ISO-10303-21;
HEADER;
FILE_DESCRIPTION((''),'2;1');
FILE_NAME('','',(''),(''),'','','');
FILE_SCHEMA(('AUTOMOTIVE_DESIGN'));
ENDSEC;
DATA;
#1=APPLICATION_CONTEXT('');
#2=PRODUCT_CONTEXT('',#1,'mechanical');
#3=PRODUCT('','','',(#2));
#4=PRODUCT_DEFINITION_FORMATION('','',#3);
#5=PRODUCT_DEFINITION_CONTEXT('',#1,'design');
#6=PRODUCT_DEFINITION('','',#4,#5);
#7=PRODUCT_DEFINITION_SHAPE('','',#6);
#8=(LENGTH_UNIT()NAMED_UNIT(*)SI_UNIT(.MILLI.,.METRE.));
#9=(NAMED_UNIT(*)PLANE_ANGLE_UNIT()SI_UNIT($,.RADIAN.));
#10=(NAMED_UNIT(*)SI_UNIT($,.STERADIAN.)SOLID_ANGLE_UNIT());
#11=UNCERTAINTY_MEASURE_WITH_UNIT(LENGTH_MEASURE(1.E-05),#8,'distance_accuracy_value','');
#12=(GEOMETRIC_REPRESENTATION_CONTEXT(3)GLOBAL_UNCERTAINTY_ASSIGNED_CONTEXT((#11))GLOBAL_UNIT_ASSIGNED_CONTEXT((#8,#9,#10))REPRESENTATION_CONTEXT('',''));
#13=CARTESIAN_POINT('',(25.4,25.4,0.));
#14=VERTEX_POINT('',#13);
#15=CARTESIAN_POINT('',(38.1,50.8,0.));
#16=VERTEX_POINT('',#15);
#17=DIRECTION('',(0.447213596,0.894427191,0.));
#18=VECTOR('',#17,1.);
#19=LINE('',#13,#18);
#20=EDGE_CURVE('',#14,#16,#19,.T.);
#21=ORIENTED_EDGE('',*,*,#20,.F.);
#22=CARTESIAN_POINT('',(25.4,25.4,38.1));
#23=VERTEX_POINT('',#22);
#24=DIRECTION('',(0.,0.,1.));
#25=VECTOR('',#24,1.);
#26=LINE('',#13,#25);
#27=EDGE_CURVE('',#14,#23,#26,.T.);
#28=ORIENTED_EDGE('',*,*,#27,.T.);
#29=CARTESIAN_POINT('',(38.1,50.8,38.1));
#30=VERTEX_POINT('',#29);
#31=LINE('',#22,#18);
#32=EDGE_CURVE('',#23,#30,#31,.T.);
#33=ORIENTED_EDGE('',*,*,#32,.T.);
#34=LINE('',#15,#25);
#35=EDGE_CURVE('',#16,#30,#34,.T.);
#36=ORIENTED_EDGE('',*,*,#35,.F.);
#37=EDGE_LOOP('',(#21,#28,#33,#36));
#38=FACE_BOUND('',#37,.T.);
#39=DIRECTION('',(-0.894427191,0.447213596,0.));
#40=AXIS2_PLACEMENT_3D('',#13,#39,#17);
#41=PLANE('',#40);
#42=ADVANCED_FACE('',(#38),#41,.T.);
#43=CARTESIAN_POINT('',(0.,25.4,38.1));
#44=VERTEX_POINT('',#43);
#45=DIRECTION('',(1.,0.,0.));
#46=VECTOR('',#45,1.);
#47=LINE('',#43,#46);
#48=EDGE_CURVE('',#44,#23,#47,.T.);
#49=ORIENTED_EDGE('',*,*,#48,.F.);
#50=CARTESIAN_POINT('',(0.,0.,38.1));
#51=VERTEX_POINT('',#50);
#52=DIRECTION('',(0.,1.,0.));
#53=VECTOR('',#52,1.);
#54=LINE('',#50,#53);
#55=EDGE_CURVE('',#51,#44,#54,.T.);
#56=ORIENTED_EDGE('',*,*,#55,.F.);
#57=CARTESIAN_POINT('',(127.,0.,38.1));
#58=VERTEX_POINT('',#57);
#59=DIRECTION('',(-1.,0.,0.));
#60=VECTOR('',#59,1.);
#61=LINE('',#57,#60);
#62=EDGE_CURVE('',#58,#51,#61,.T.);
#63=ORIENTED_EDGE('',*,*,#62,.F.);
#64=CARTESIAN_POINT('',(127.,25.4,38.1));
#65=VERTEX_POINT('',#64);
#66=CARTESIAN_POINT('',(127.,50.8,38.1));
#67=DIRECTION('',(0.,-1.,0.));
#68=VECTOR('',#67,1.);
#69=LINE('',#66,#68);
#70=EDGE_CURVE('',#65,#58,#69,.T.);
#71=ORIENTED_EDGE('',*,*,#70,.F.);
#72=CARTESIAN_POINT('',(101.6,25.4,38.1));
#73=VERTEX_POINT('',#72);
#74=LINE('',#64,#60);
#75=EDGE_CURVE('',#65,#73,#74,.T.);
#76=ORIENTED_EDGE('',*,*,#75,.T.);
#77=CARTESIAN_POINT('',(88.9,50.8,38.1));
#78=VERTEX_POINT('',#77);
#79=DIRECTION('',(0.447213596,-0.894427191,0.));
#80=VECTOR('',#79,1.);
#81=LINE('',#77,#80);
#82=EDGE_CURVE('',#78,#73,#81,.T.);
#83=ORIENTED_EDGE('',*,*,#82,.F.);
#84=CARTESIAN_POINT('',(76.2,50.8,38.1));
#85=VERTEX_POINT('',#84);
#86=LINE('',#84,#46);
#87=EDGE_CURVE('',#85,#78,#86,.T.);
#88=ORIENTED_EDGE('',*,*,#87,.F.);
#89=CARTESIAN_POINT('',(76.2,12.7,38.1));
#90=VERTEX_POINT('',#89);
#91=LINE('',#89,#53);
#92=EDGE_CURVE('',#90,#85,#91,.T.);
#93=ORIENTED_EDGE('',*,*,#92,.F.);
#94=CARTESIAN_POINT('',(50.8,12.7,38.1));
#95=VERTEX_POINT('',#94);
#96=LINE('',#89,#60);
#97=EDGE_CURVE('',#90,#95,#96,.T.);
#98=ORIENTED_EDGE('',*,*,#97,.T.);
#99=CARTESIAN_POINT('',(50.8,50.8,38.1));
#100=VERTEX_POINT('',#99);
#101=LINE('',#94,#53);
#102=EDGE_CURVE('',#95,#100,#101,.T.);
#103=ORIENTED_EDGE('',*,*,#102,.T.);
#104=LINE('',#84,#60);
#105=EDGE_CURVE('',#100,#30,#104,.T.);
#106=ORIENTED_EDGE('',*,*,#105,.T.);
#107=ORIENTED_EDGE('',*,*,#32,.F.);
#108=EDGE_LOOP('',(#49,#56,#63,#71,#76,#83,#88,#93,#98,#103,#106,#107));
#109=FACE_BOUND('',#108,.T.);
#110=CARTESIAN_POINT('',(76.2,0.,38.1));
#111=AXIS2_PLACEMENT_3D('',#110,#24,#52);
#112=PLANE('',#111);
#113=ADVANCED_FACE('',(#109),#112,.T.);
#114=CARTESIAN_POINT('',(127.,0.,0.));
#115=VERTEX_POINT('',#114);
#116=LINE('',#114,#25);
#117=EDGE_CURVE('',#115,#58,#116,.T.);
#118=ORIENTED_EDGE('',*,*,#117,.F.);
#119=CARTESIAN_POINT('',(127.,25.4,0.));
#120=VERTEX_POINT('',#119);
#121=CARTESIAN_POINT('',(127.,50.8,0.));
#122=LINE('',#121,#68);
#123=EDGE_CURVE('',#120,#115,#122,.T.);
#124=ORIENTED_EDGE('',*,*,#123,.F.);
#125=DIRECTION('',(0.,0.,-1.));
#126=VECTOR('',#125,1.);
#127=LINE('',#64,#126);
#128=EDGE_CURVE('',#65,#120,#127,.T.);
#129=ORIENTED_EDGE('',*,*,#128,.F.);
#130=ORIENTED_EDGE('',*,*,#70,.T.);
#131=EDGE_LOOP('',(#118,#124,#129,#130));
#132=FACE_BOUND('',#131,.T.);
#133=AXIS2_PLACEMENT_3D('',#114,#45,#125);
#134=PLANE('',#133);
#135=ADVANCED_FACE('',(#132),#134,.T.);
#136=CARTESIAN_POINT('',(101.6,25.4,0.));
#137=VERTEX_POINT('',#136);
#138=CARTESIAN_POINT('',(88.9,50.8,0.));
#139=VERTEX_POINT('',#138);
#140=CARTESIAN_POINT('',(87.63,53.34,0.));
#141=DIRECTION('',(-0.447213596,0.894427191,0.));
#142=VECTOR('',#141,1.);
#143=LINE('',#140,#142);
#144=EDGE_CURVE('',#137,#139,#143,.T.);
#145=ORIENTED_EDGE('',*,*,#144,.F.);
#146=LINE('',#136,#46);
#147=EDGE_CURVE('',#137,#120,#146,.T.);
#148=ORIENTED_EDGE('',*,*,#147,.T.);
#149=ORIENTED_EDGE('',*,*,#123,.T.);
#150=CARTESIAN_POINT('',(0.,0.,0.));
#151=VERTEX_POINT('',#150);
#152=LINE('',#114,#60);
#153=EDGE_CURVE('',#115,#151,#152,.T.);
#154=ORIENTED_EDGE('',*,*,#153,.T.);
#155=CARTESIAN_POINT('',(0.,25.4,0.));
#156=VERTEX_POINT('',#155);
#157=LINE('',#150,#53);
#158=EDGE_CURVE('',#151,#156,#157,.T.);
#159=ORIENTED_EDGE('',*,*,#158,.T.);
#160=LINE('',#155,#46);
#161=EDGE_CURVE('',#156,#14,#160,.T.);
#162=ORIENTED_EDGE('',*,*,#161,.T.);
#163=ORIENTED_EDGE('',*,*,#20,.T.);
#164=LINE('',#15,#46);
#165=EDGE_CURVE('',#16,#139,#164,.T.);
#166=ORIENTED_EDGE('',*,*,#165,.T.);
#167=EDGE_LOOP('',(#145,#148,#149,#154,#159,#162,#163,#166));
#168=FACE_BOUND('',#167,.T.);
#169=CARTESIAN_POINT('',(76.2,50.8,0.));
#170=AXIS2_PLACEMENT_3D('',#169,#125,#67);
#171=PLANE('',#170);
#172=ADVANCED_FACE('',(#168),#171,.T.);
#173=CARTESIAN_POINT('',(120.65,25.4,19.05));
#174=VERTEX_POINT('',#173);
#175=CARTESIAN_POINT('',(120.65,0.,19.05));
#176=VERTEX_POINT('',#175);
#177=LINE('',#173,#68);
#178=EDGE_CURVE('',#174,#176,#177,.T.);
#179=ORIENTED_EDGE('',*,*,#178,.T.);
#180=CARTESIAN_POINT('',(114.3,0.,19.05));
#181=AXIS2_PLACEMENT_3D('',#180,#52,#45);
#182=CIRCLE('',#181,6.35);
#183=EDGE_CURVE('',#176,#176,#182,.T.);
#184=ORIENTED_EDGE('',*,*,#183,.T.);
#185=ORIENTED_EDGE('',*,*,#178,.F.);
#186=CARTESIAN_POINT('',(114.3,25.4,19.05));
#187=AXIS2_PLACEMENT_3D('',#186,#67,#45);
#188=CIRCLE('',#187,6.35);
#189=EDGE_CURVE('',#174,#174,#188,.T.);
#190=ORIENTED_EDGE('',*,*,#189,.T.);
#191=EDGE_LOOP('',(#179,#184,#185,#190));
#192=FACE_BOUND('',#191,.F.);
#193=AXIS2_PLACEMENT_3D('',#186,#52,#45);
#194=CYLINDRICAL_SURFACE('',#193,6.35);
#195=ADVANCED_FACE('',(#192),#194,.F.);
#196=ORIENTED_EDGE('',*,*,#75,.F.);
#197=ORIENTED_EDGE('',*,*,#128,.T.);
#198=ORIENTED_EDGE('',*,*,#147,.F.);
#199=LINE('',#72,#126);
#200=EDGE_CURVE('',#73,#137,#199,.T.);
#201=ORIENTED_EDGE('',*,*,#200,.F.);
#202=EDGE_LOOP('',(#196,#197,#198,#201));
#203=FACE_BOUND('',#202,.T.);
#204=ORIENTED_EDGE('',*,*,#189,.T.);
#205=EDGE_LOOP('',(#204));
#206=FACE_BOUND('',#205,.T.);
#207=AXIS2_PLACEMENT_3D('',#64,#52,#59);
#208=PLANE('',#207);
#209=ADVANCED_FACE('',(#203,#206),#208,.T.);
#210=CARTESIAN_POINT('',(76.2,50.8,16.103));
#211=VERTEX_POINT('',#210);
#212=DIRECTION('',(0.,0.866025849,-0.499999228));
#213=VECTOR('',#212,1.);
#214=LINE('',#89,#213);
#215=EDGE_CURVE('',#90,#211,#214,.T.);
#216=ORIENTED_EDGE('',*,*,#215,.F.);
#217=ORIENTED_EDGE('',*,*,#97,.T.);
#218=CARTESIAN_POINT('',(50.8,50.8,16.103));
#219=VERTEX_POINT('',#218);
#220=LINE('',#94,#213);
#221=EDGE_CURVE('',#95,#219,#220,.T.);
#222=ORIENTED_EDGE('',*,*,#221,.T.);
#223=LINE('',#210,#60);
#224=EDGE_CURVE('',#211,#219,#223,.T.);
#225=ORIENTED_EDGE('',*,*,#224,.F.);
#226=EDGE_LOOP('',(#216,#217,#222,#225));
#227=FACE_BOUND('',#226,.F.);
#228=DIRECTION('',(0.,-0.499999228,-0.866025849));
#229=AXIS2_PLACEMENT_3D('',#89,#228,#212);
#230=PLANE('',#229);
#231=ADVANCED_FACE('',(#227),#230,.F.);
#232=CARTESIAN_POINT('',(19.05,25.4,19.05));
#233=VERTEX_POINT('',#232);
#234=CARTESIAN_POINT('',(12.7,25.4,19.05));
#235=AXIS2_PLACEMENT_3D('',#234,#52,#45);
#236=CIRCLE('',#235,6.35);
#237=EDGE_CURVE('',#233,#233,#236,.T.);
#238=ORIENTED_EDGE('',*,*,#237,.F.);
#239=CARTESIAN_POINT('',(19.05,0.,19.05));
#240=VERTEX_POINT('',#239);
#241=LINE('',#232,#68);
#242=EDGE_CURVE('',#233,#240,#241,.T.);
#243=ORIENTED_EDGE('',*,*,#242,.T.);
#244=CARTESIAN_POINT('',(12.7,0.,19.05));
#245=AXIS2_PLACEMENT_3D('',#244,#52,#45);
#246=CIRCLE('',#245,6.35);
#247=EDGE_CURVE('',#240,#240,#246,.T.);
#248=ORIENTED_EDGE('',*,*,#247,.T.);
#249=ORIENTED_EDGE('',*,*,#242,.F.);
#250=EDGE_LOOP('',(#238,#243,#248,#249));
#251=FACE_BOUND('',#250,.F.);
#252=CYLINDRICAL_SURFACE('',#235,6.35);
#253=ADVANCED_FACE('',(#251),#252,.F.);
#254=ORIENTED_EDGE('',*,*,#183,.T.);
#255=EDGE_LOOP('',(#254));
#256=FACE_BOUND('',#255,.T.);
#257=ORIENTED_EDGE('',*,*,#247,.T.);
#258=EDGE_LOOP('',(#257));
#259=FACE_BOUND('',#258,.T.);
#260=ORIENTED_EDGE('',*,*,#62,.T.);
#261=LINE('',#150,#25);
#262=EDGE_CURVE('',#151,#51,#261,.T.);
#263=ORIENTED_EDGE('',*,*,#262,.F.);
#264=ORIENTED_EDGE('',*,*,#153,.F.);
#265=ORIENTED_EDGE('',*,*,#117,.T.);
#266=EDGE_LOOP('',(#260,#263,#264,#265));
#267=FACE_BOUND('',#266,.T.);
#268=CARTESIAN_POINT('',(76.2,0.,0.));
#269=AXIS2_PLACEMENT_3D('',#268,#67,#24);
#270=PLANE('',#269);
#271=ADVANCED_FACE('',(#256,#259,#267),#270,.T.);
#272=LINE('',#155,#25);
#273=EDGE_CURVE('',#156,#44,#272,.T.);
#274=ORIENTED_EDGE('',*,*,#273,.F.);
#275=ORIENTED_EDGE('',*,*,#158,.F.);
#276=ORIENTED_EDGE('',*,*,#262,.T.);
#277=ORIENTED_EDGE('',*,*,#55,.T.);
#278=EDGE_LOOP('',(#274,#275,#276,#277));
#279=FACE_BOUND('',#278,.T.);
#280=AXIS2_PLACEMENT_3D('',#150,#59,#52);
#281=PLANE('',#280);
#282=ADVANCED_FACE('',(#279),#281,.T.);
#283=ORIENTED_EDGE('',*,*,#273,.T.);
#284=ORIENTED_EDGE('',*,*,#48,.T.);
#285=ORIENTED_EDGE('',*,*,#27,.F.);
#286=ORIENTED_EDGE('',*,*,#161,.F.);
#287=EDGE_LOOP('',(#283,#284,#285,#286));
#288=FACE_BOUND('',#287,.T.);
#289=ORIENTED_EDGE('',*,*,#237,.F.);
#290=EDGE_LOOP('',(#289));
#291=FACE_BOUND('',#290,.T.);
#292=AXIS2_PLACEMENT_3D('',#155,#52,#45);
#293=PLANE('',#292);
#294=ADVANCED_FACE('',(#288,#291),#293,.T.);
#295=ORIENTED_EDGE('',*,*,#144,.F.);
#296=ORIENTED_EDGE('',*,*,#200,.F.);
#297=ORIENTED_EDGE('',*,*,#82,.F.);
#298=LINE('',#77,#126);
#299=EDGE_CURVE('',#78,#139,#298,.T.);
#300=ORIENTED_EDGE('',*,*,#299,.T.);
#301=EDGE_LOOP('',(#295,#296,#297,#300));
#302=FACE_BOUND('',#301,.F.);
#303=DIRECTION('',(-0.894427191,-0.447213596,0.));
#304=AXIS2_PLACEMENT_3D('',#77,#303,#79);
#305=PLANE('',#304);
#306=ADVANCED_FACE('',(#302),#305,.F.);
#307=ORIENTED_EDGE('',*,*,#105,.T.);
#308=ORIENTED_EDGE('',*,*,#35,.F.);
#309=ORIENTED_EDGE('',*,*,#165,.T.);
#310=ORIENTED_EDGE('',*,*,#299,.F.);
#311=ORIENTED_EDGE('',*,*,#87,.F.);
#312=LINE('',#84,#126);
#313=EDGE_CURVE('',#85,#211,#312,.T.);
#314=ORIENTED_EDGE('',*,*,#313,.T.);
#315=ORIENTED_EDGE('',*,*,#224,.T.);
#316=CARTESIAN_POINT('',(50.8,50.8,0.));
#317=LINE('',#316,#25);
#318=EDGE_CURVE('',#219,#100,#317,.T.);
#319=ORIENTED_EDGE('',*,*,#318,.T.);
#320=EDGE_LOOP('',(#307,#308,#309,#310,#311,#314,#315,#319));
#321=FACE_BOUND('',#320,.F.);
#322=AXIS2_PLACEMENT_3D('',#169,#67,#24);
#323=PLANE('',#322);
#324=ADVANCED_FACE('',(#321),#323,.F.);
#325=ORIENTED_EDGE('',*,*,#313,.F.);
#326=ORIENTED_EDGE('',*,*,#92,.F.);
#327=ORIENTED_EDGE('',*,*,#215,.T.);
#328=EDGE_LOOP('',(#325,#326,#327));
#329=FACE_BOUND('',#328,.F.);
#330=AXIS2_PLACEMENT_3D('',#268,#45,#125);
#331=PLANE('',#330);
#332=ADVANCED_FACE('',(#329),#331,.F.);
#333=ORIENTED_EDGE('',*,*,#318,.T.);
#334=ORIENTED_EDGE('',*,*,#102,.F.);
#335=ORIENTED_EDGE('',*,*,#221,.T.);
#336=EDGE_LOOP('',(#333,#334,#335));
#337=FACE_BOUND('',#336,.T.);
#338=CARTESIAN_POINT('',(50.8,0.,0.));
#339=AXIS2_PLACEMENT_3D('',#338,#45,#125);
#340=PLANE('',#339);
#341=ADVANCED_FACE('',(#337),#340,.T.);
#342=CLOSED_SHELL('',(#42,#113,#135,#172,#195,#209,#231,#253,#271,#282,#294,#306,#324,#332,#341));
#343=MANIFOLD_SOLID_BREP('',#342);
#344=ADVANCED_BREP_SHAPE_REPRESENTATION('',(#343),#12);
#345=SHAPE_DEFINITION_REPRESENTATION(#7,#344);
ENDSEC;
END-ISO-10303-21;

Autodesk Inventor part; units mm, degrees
ref_plane "YZ Plane" through (0, 0, 0) normal (1, 0, 0) x (0, 1, 0)
ref_plane "XZ Plane" through (0, 0, 0) normal (0, 1, 0) x (-1, 0, 0)
ref_plane "XY Plane" through (0, 0, 0) normal (0, 0, 1) x (1, 0, 0)
sketch "Sketch1" plane through (0, 0, 0) normal (0, 0, 1) x (1, 0, 0)
  line L0 (0, 0) -> (76.2, 0)
  line L1 (76.2, 0) -> (76.2, 50.8)
  line L2 (0, 0) -> (0, 25.4)
  line L3 (0, 25.4) -> (25.4, 25.4)
  line L4 (76.2, 50.8) -> (38.1, 50.8)
  line L5 (25.4, 25.4) -> (38.1, 50.8)
  dimension "d0" = 76.2
  dimension "d1" = 50.8
  dimension "d2" = 25.4
  dimension "d3" = 25.4
  dimension "d4" = 38.1
extrude "Extrusion1" add sketch "Sketch1" along normal blind 38.1
sketch "Sketch2" plane through (76.2, 0, 0) normal (1, 0, 0) x (0, 0, -1)
  line L0 (0, 0) -> (-38.1, 0) projected
  line L1 (-38.1, 0) -> (-38.1, 12.7)
  line L2 (-38.1, 25.4) -> (-38.1, 0) projected
  line L3 (-38.1, 12.7) -> (-16.103, 50.8)
  line L4 (-38.1, 12.7) -> (17.0374, 12.7) construction
  line L5 (0, 50.8) -> (-38.1, 50.8) projected
  line L6 (-16.103, 50.8) -> (-38.1, 50.8)
  line L7 (-38.1, 50.8) -> (-38.1, 12.7)
  dimension "d7" = 12.7
  dimension "d8" = 60
extrude "Extrusion2" cut sketch "Sketch2" against normal blind 25.4
sketch "Sketch3" plane through (76.2, 0, 0) normal (1, 0, 0) x (0, 0, -1)
  line L0 (0, 50.8) -> (0, 25.4) projected
  line L1 (0, 50.8) -> (0, 0)
  line L2 (0, 0) -> (-38.1, 0) projected
  line L3 (0, 0) -> (-38.1, 0)
  line L4 (-38.1, 12.7) -> (-38.1, 50.8) projected
  line L5 (-38.1, 0) -> (-38.1, 50.8)
  line L6 (0, 50.8) -> (-16.103, 50.8) projected
  line L7 (-38.1, 50.8) -> (0, 50.8)
extrude "Extrusion3" add sketch "Sketch3" along normal blind 50.8
sketch "Sketch4" plane through (0, 0, 38.1) normal (0, 0, 1) x (1, 0, 0)
  line L0 (127, 50.8) -> (127, 0) projected
  line L1 (127, 25.4) -> (101.6, 25.4)
  line L2 (76.2, 50.8) -> (76.2, 12.7) projected
  line L3 (76.2, 50.8) -> (88.9, 50.8)
  line L4 (88.9, 50.8) -> (101.6, 25.4)
  line L5 (38.1, 50.8) -> (127, 50.8) projected
  line L6 (88.9, 50.8) -> (127, 50.8)
  line L7 (127, 50.8) -> (127, 25.4)
  point P0 (0, 0)
  dimension "d13" = 25.4
  dimension "d14" = 12.7
extrude "Extrusion4" cut sketch "Sketch4" against normal blind 50.8
sketch "Sketch5" plane through (101.6, 25.4, 38.1) normal (0, 1, 0) x (1, 0, 0)
  line L0 (-76.2, 0) -> (-101.6, 0) projected
  circle A0 centre (-88.9, 19.05) radius 6.35
  line L1 (-101.6, 38.1) -> (25.4, 38.1) projected
  line L2 (-88.9, 19.05) -> (12.7, 19.05)
  circle A1 centre (12.7, 19.05) radius 6.35
  dimension "d18" = 12.7
  dimension "d20" = 101.6
  dimension "d21" = 12.7
extrude "Extrusion5" cut sketch "Sketch5" against normal blind 50.8
properties part number "GutowskiAdjustorBlock"
